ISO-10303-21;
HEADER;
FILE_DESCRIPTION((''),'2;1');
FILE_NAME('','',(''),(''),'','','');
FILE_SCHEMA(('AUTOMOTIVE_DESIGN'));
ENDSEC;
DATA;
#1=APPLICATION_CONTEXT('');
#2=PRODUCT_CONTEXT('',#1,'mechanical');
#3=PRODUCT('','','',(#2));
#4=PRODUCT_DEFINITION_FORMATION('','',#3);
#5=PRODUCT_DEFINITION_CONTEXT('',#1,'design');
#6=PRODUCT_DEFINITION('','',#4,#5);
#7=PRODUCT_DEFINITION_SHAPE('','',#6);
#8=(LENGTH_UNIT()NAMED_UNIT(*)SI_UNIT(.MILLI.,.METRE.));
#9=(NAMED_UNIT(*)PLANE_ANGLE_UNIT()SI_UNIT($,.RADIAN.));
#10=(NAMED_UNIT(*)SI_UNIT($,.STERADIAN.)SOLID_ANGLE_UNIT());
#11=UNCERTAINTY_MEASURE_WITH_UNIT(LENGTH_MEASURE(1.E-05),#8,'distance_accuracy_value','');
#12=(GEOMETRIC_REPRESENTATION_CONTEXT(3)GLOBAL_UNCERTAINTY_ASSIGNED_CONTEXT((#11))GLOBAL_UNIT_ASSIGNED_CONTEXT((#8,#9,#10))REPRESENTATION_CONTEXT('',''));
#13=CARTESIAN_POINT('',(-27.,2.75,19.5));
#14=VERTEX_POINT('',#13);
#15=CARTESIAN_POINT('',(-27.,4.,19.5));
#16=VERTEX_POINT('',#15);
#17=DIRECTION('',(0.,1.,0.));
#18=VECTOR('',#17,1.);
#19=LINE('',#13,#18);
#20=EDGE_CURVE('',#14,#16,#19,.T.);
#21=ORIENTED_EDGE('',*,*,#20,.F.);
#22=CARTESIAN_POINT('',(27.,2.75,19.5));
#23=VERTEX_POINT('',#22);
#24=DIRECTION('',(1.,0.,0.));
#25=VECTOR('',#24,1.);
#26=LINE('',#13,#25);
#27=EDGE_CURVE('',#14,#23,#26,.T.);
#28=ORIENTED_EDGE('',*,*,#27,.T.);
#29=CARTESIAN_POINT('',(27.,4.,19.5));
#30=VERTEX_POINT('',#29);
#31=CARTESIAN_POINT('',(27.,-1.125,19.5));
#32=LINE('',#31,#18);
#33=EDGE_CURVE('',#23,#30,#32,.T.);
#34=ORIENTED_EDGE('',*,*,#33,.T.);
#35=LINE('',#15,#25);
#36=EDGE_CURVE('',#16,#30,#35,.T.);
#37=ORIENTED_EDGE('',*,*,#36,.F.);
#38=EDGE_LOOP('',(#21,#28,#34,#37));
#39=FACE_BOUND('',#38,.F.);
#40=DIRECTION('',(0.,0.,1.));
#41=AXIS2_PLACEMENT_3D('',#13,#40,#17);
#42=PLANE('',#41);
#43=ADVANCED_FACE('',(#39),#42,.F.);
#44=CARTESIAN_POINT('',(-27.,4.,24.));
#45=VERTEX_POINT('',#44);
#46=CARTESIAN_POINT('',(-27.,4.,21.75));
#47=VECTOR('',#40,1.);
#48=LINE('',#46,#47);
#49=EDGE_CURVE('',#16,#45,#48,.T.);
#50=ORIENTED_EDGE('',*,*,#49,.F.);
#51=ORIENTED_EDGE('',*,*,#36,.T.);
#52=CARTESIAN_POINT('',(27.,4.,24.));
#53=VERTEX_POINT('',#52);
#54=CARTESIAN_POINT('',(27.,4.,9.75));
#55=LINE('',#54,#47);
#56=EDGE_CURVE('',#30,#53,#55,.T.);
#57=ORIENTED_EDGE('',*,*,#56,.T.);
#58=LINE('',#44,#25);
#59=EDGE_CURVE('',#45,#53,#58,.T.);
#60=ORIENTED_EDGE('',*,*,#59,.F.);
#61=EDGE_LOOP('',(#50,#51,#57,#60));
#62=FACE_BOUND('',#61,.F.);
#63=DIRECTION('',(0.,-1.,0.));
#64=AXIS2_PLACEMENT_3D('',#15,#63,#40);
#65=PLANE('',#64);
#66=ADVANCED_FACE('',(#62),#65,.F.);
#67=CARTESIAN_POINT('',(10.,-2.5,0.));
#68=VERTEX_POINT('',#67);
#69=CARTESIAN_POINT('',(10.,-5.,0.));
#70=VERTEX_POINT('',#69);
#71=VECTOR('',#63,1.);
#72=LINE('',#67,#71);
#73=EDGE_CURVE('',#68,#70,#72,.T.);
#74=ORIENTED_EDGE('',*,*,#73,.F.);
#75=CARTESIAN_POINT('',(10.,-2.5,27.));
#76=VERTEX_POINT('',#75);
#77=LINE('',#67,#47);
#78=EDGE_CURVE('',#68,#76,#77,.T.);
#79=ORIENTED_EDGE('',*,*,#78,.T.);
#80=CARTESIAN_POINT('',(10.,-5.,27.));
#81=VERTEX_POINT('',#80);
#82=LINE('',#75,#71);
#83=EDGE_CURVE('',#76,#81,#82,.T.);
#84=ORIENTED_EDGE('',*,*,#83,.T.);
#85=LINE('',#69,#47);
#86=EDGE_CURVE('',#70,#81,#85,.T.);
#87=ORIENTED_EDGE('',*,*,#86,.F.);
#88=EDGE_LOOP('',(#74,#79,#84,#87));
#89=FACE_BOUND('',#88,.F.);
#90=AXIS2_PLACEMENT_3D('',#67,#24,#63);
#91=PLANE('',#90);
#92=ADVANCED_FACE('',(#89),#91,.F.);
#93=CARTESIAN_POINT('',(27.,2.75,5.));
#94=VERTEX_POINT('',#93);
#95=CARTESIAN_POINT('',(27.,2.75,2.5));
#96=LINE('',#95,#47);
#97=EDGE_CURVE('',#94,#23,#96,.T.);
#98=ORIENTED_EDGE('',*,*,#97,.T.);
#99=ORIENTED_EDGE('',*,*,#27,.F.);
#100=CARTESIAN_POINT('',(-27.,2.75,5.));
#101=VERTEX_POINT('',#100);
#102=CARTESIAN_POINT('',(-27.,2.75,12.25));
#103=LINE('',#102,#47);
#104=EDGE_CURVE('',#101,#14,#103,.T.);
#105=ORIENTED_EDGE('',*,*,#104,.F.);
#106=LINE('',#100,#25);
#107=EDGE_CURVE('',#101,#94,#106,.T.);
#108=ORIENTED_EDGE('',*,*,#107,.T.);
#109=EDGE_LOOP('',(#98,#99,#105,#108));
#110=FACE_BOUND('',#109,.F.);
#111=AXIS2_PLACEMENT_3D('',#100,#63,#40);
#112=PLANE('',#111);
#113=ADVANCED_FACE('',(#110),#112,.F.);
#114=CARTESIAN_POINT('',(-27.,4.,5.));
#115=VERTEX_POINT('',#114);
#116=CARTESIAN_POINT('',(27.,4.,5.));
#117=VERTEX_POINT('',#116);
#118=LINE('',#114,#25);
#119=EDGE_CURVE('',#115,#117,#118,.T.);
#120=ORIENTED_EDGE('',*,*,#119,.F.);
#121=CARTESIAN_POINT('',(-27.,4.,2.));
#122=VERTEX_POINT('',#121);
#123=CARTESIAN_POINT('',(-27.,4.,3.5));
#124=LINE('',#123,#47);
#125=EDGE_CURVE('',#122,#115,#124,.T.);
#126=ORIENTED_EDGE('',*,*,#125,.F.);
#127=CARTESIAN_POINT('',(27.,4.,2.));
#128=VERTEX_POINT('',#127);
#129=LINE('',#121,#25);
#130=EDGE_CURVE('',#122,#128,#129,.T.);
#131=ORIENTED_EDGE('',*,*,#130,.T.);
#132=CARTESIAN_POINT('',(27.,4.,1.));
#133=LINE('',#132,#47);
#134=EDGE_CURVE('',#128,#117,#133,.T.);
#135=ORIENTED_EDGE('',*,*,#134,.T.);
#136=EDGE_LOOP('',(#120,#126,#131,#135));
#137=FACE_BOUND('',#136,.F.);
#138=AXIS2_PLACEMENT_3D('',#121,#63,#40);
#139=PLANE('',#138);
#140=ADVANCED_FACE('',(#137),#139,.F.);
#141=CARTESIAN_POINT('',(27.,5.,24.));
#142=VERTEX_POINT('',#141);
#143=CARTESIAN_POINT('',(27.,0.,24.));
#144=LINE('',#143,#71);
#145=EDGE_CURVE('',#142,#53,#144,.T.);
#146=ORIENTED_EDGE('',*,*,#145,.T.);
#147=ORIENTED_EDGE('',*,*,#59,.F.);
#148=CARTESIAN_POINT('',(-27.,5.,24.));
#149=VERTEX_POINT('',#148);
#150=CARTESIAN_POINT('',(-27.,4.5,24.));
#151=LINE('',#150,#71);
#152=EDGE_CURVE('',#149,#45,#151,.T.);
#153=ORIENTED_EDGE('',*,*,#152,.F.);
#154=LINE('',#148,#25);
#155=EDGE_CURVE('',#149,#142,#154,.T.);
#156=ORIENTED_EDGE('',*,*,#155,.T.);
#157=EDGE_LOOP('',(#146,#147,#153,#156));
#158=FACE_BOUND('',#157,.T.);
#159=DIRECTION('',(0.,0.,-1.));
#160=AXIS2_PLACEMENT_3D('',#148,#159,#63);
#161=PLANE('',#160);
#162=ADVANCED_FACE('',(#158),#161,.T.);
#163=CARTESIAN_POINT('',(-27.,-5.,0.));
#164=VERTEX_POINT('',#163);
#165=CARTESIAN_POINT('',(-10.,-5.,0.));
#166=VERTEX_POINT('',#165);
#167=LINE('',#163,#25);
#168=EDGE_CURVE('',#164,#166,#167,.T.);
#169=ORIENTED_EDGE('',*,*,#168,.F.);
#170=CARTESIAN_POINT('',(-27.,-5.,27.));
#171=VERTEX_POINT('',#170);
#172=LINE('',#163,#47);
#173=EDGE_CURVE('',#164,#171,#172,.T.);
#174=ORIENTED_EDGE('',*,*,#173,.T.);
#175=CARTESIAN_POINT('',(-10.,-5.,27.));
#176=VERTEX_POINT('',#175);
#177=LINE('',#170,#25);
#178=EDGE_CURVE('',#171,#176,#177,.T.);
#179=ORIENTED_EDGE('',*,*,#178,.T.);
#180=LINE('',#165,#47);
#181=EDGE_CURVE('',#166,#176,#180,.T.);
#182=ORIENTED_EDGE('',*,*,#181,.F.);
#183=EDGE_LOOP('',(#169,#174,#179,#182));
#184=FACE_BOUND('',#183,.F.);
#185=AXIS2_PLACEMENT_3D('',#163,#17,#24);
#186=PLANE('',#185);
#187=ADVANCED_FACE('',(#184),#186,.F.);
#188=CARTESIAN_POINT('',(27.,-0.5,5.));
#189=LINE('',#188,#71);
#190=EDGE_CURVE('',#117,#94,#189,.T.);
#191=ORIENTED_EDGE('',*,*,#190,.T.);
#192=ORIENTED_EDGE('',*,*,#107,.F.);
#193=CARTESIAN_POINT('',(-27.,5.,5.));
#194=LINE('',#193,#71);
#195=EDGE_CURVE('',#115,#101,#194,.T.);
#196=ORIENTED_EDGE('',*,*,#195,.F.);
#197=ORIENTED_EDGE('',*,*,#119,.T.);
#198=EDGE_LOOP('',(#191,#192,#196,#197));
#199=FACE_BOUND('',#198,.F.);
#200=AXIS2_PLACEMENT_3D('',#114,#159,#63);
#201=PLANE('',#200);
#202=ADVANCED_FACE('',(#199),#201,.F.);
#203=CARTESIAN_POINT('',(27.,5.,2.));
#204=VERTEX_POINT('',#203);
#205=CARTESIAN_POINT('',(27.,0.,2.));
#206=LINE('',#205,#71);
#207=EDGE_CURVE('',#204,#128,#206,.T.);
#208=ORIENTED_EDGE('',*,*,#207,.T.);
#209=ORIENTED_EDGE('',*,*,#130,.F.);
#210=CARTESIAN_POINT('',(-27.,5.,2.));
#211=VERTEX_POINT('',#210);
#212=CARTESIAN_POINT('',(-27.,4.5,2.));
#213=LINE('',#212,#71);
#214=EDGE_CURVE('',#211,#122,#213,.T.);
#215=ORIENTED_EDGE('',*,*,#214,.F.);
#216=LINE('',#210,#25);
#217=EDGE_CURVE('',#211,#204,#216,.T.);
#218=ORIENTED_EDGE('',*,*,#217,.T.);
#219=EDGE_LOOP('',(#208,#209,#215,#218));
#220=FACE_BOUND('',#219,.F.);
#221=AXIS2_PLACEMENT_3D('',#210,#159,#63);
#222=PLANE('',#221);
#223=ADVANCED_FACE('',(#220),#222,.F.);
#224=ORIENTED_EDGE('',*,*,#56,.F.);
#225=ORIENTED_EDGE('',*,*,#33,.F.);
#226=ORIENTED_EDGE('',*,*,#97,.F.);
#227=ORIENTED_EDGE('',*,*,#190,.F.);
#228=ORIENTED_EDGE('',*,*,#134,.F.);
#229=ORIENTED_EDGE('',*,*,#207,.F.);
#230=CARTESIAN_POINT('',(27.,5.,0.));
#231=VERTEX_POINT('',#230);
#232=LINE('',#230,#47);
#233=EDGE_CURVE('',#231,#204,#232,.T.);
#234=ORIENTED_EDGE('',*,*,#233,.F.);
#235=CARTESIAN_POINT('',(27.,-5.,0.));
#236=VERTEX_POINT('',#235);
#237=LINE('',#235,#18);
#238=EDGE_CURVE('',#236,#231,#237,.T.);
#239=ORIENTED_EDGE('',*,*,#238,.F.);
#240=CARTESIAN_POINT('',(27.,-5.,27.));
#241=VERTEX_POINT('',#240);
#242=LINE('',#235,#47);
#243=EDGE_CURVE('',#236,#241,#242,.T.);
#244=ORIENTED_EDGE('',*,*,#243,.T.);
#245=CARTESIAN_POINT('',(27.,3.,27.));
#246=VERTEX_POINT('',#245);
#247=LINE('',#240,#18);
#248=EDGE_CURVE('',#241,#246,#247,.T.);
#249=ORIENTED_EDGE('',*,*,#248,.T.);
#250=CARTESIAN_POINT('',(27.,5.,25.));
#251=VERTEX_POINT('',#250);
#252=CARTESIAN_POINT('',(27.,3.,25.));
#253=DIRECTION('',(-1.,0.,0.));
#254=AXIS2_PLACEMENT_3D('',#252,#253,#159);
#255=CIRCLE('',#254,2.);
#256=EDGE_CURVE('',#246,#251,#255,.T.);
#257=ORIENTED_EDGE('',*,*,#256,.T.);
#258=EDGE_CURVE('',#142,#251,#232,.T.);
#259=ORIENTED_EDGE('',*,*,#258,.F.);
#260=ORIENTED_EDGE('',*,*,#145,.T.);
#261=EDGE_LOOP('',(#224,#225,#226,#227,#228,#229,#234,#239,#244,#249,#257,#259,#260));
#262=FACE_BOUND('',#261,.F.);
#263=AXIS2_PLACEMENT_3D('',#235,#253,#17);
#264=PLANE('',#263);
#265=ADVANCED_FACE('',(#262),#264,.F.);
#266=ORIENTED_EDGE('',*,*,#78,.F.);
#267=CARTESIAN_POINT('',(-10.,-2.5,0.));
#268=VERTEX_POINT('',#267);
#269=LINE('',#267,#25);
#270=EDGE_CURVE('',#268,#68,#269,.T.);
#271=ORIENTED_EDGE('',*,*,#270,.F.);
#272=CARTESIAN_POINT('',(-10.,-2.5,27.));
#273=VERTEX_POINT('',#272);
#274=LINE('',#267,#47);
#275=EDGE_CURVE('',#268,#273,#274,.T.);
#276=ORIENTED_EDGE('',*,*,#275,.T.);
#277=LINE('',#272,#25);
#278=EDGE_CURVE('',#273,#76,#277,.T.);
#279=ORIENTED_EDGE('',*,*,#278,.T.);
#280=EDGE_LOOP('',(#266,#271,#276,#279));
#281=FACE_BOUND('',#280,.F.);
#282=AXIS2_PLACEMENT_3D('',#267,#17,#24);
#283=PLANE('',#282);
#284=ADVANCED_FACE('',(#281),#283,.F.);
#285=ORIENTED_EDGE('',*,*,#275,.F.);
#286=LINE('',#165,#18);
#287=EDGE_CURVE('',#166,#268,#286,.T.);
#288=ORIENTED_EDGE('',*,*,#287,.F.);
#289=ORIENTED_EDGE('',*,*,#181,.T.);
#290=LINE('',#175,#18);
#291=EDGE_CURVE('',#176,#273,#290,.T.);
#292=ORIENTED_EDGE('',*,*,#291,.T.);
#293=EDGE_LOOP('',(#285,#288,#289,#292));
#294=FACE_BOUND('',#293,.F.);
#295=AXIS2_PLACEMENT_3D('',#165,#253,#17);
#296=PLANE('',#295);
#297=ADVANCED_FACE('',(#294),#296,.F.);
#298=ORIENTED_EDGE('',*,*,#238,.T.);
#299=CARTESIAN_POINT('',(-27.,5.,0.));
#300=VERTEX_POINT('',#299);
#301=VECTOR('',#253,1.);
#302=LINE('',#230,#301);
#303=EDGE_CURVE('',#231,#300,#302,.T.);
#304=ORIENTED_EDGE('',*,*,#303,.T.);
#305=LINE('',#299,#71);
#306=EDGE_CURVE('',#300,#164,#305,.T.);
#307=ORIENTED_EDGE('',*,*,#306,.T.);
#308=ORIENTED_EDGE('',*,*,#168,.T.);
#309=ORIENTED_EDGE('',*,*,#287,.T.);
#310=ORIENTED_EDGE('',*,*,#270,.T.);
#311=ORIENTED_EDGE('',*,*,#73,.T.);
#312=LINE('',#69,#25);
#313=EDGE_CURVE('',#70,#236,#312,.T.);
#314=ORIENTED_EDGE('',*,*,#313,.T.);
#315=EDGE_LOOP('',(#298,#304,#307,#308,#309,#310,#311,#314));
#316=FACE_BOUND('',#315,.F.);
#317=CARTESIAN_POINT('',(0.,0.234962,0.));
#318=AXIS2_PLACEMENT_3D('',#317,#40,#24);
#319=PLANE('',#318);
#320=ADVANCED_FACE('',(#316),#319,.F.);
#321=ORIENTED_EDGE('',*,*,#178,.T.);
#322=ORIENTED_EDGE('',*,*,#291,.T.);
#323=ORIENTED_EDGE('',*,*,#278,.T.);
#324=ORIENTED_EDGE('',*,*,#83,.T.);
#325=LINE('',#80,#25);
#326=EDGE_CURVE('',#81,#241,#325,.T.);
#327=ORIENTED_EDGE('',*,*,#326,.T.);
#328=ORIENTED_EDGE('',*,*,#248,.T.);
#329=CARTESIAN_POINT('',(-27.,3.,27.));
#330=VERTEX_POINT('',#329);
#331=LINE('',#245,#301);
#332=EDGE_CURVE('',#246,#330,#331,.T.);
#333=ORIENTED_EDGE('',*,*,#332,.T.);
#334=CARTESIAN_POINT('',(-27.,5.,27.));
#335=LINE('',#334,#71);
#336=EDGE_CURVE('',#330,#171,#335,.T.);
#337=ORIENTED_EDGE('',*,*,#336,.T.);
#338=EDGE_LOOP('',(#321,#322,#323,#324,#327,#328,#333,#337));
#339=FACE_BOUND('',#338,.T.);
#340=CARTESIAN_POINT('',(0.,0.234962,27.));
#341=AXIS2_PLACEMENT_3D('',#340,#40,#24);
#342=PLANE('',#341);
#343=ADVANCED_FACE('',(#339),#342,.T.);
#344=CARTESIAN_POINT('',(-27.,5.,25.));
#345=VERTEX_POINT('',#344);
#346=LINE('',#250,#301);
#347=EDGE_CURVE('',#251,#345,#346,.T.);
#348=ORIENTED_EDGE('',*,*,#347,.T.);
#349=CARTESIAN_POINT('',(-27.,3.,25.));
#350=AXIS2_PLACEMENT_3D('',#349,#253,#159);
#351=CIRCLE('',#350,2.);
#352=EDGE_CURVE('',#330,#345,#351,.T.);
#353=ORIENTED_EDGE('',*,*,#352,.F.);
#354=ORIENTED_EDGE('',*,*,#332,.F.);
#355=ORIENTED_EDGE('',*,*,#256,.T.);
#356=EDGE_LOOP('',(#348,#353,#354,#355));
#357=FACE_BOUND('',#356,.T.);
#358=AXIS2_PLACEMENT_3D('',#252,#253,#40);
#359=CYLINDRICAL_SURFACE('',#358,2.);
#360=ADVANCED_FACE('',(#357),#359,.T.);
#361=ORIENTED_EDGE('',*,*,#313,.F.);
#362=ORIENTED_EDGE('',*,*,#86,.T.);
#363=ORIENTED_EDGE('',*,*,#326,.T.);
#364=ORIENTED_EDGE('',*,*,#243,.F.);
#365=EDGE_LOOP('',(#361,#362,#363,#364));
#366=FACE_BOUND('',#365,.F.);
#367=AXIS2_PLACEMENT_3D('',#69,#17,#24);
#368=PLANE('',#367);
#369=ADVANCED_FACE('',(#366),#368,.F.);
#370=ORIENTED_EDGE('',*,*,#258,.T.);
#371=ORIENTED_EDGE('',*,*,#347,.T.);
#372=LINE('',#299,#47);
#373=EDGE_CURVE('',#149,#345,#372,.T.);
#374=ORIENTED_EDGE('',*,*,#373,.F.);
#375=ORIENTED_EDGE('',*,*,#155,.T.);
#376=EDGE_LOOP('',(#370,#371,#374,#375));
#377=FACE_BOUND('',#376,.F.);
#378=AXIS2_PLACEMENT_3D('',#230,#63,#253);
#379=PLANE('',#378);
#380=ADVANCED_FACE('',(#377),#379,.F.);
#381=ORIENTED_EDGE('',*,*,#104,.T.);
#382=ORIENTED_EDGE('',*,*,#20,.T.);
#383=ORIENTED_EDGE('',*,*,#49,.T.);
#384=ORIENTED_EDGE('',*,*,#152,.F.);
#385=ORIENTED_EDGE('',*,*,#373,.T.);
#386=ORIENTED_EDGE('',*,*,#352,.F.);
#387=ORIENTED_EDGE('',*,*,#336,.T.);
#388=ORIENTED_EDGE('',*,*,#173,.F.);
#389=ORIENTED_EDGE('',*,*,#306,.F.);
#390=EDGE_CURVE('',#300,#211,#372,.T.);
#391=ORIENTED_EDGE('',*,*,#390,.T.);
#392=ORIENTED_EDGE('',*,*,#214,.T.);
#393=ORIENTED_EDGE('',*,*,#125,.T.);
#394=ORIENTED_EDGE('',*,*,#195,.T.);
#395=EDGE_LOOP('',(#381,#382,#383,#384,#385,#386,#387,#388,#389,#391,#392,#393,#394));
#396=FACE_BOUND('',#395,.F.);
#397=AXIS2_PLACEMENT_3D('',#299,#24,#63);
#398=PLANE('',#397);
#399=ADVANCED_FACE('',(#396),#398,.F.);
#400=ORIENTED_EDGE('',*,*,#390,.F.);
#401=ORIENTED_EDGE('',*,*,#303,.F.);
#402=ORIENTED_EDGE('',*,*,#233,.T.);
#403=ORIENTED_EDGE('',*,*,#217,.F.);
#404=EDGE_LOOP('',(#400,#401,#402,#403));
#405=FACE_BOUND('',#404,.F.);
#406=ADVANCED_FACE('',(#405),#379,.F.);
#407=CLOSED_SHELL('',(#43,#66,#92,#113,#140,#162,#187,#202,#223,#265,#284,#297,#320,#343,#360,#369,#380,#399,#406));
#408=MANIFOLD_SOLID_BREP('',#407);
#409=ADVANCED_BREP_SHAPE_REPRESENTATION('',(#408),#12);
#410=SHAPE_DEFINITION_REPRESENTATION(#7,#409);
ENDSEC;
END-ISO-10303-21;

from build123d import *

# Parameters (mm, degrees)
F1_DEPTH = 27
F2_W     = 1
F2_H     = 14.5
F2_W_2   = 1.25
F2_H_2   = 3
F2_H_3   = 4.5
F3_DEPTH = 75
F4_R     = 2


with BuildPart() as f1:
    # F0 (on Top) → F1 (new body)
    with BuildSketch(Plane.XY):
        Polygon((10, -5), (27, -5), (27, 5), (-27, 5), (-27, -5), (-10, -5), (-10, -2.5), (10, -2.5), align=None)
    extrude(amount=F1_DEPTH)

    # F2 (on face) → F3 (cut)
    with BuildSketch(Plane(origin=(-27, 0, 0), x_dir=(0, -1, 0), z_dir=(-1, 0, 0))):
        with Locations((-4.5, 12.25)):
            Rectangle(F2_W, F2_H)
        with Locations((-3.375, 12.25)):
            Rectangle(F2_W_2, F2_H)
        with Locations((-4.5, 3.5)):
            Rectangle(F2_W, F2_H_2)
        with Locations((-4.5, 21.75)):
            Rectangle(F2_W, F2_H_3)
    extrude(amount=-F3_DEPTH, mode=Mode.SUBTRACT)

    # F4
    f4_edges = [f1.edges().sort_by_distance(p)[0] for p in [
        (0, 5, 27),
    ]]
    fillet(f4_edges, radius=F4_R)


solid = f1.part
